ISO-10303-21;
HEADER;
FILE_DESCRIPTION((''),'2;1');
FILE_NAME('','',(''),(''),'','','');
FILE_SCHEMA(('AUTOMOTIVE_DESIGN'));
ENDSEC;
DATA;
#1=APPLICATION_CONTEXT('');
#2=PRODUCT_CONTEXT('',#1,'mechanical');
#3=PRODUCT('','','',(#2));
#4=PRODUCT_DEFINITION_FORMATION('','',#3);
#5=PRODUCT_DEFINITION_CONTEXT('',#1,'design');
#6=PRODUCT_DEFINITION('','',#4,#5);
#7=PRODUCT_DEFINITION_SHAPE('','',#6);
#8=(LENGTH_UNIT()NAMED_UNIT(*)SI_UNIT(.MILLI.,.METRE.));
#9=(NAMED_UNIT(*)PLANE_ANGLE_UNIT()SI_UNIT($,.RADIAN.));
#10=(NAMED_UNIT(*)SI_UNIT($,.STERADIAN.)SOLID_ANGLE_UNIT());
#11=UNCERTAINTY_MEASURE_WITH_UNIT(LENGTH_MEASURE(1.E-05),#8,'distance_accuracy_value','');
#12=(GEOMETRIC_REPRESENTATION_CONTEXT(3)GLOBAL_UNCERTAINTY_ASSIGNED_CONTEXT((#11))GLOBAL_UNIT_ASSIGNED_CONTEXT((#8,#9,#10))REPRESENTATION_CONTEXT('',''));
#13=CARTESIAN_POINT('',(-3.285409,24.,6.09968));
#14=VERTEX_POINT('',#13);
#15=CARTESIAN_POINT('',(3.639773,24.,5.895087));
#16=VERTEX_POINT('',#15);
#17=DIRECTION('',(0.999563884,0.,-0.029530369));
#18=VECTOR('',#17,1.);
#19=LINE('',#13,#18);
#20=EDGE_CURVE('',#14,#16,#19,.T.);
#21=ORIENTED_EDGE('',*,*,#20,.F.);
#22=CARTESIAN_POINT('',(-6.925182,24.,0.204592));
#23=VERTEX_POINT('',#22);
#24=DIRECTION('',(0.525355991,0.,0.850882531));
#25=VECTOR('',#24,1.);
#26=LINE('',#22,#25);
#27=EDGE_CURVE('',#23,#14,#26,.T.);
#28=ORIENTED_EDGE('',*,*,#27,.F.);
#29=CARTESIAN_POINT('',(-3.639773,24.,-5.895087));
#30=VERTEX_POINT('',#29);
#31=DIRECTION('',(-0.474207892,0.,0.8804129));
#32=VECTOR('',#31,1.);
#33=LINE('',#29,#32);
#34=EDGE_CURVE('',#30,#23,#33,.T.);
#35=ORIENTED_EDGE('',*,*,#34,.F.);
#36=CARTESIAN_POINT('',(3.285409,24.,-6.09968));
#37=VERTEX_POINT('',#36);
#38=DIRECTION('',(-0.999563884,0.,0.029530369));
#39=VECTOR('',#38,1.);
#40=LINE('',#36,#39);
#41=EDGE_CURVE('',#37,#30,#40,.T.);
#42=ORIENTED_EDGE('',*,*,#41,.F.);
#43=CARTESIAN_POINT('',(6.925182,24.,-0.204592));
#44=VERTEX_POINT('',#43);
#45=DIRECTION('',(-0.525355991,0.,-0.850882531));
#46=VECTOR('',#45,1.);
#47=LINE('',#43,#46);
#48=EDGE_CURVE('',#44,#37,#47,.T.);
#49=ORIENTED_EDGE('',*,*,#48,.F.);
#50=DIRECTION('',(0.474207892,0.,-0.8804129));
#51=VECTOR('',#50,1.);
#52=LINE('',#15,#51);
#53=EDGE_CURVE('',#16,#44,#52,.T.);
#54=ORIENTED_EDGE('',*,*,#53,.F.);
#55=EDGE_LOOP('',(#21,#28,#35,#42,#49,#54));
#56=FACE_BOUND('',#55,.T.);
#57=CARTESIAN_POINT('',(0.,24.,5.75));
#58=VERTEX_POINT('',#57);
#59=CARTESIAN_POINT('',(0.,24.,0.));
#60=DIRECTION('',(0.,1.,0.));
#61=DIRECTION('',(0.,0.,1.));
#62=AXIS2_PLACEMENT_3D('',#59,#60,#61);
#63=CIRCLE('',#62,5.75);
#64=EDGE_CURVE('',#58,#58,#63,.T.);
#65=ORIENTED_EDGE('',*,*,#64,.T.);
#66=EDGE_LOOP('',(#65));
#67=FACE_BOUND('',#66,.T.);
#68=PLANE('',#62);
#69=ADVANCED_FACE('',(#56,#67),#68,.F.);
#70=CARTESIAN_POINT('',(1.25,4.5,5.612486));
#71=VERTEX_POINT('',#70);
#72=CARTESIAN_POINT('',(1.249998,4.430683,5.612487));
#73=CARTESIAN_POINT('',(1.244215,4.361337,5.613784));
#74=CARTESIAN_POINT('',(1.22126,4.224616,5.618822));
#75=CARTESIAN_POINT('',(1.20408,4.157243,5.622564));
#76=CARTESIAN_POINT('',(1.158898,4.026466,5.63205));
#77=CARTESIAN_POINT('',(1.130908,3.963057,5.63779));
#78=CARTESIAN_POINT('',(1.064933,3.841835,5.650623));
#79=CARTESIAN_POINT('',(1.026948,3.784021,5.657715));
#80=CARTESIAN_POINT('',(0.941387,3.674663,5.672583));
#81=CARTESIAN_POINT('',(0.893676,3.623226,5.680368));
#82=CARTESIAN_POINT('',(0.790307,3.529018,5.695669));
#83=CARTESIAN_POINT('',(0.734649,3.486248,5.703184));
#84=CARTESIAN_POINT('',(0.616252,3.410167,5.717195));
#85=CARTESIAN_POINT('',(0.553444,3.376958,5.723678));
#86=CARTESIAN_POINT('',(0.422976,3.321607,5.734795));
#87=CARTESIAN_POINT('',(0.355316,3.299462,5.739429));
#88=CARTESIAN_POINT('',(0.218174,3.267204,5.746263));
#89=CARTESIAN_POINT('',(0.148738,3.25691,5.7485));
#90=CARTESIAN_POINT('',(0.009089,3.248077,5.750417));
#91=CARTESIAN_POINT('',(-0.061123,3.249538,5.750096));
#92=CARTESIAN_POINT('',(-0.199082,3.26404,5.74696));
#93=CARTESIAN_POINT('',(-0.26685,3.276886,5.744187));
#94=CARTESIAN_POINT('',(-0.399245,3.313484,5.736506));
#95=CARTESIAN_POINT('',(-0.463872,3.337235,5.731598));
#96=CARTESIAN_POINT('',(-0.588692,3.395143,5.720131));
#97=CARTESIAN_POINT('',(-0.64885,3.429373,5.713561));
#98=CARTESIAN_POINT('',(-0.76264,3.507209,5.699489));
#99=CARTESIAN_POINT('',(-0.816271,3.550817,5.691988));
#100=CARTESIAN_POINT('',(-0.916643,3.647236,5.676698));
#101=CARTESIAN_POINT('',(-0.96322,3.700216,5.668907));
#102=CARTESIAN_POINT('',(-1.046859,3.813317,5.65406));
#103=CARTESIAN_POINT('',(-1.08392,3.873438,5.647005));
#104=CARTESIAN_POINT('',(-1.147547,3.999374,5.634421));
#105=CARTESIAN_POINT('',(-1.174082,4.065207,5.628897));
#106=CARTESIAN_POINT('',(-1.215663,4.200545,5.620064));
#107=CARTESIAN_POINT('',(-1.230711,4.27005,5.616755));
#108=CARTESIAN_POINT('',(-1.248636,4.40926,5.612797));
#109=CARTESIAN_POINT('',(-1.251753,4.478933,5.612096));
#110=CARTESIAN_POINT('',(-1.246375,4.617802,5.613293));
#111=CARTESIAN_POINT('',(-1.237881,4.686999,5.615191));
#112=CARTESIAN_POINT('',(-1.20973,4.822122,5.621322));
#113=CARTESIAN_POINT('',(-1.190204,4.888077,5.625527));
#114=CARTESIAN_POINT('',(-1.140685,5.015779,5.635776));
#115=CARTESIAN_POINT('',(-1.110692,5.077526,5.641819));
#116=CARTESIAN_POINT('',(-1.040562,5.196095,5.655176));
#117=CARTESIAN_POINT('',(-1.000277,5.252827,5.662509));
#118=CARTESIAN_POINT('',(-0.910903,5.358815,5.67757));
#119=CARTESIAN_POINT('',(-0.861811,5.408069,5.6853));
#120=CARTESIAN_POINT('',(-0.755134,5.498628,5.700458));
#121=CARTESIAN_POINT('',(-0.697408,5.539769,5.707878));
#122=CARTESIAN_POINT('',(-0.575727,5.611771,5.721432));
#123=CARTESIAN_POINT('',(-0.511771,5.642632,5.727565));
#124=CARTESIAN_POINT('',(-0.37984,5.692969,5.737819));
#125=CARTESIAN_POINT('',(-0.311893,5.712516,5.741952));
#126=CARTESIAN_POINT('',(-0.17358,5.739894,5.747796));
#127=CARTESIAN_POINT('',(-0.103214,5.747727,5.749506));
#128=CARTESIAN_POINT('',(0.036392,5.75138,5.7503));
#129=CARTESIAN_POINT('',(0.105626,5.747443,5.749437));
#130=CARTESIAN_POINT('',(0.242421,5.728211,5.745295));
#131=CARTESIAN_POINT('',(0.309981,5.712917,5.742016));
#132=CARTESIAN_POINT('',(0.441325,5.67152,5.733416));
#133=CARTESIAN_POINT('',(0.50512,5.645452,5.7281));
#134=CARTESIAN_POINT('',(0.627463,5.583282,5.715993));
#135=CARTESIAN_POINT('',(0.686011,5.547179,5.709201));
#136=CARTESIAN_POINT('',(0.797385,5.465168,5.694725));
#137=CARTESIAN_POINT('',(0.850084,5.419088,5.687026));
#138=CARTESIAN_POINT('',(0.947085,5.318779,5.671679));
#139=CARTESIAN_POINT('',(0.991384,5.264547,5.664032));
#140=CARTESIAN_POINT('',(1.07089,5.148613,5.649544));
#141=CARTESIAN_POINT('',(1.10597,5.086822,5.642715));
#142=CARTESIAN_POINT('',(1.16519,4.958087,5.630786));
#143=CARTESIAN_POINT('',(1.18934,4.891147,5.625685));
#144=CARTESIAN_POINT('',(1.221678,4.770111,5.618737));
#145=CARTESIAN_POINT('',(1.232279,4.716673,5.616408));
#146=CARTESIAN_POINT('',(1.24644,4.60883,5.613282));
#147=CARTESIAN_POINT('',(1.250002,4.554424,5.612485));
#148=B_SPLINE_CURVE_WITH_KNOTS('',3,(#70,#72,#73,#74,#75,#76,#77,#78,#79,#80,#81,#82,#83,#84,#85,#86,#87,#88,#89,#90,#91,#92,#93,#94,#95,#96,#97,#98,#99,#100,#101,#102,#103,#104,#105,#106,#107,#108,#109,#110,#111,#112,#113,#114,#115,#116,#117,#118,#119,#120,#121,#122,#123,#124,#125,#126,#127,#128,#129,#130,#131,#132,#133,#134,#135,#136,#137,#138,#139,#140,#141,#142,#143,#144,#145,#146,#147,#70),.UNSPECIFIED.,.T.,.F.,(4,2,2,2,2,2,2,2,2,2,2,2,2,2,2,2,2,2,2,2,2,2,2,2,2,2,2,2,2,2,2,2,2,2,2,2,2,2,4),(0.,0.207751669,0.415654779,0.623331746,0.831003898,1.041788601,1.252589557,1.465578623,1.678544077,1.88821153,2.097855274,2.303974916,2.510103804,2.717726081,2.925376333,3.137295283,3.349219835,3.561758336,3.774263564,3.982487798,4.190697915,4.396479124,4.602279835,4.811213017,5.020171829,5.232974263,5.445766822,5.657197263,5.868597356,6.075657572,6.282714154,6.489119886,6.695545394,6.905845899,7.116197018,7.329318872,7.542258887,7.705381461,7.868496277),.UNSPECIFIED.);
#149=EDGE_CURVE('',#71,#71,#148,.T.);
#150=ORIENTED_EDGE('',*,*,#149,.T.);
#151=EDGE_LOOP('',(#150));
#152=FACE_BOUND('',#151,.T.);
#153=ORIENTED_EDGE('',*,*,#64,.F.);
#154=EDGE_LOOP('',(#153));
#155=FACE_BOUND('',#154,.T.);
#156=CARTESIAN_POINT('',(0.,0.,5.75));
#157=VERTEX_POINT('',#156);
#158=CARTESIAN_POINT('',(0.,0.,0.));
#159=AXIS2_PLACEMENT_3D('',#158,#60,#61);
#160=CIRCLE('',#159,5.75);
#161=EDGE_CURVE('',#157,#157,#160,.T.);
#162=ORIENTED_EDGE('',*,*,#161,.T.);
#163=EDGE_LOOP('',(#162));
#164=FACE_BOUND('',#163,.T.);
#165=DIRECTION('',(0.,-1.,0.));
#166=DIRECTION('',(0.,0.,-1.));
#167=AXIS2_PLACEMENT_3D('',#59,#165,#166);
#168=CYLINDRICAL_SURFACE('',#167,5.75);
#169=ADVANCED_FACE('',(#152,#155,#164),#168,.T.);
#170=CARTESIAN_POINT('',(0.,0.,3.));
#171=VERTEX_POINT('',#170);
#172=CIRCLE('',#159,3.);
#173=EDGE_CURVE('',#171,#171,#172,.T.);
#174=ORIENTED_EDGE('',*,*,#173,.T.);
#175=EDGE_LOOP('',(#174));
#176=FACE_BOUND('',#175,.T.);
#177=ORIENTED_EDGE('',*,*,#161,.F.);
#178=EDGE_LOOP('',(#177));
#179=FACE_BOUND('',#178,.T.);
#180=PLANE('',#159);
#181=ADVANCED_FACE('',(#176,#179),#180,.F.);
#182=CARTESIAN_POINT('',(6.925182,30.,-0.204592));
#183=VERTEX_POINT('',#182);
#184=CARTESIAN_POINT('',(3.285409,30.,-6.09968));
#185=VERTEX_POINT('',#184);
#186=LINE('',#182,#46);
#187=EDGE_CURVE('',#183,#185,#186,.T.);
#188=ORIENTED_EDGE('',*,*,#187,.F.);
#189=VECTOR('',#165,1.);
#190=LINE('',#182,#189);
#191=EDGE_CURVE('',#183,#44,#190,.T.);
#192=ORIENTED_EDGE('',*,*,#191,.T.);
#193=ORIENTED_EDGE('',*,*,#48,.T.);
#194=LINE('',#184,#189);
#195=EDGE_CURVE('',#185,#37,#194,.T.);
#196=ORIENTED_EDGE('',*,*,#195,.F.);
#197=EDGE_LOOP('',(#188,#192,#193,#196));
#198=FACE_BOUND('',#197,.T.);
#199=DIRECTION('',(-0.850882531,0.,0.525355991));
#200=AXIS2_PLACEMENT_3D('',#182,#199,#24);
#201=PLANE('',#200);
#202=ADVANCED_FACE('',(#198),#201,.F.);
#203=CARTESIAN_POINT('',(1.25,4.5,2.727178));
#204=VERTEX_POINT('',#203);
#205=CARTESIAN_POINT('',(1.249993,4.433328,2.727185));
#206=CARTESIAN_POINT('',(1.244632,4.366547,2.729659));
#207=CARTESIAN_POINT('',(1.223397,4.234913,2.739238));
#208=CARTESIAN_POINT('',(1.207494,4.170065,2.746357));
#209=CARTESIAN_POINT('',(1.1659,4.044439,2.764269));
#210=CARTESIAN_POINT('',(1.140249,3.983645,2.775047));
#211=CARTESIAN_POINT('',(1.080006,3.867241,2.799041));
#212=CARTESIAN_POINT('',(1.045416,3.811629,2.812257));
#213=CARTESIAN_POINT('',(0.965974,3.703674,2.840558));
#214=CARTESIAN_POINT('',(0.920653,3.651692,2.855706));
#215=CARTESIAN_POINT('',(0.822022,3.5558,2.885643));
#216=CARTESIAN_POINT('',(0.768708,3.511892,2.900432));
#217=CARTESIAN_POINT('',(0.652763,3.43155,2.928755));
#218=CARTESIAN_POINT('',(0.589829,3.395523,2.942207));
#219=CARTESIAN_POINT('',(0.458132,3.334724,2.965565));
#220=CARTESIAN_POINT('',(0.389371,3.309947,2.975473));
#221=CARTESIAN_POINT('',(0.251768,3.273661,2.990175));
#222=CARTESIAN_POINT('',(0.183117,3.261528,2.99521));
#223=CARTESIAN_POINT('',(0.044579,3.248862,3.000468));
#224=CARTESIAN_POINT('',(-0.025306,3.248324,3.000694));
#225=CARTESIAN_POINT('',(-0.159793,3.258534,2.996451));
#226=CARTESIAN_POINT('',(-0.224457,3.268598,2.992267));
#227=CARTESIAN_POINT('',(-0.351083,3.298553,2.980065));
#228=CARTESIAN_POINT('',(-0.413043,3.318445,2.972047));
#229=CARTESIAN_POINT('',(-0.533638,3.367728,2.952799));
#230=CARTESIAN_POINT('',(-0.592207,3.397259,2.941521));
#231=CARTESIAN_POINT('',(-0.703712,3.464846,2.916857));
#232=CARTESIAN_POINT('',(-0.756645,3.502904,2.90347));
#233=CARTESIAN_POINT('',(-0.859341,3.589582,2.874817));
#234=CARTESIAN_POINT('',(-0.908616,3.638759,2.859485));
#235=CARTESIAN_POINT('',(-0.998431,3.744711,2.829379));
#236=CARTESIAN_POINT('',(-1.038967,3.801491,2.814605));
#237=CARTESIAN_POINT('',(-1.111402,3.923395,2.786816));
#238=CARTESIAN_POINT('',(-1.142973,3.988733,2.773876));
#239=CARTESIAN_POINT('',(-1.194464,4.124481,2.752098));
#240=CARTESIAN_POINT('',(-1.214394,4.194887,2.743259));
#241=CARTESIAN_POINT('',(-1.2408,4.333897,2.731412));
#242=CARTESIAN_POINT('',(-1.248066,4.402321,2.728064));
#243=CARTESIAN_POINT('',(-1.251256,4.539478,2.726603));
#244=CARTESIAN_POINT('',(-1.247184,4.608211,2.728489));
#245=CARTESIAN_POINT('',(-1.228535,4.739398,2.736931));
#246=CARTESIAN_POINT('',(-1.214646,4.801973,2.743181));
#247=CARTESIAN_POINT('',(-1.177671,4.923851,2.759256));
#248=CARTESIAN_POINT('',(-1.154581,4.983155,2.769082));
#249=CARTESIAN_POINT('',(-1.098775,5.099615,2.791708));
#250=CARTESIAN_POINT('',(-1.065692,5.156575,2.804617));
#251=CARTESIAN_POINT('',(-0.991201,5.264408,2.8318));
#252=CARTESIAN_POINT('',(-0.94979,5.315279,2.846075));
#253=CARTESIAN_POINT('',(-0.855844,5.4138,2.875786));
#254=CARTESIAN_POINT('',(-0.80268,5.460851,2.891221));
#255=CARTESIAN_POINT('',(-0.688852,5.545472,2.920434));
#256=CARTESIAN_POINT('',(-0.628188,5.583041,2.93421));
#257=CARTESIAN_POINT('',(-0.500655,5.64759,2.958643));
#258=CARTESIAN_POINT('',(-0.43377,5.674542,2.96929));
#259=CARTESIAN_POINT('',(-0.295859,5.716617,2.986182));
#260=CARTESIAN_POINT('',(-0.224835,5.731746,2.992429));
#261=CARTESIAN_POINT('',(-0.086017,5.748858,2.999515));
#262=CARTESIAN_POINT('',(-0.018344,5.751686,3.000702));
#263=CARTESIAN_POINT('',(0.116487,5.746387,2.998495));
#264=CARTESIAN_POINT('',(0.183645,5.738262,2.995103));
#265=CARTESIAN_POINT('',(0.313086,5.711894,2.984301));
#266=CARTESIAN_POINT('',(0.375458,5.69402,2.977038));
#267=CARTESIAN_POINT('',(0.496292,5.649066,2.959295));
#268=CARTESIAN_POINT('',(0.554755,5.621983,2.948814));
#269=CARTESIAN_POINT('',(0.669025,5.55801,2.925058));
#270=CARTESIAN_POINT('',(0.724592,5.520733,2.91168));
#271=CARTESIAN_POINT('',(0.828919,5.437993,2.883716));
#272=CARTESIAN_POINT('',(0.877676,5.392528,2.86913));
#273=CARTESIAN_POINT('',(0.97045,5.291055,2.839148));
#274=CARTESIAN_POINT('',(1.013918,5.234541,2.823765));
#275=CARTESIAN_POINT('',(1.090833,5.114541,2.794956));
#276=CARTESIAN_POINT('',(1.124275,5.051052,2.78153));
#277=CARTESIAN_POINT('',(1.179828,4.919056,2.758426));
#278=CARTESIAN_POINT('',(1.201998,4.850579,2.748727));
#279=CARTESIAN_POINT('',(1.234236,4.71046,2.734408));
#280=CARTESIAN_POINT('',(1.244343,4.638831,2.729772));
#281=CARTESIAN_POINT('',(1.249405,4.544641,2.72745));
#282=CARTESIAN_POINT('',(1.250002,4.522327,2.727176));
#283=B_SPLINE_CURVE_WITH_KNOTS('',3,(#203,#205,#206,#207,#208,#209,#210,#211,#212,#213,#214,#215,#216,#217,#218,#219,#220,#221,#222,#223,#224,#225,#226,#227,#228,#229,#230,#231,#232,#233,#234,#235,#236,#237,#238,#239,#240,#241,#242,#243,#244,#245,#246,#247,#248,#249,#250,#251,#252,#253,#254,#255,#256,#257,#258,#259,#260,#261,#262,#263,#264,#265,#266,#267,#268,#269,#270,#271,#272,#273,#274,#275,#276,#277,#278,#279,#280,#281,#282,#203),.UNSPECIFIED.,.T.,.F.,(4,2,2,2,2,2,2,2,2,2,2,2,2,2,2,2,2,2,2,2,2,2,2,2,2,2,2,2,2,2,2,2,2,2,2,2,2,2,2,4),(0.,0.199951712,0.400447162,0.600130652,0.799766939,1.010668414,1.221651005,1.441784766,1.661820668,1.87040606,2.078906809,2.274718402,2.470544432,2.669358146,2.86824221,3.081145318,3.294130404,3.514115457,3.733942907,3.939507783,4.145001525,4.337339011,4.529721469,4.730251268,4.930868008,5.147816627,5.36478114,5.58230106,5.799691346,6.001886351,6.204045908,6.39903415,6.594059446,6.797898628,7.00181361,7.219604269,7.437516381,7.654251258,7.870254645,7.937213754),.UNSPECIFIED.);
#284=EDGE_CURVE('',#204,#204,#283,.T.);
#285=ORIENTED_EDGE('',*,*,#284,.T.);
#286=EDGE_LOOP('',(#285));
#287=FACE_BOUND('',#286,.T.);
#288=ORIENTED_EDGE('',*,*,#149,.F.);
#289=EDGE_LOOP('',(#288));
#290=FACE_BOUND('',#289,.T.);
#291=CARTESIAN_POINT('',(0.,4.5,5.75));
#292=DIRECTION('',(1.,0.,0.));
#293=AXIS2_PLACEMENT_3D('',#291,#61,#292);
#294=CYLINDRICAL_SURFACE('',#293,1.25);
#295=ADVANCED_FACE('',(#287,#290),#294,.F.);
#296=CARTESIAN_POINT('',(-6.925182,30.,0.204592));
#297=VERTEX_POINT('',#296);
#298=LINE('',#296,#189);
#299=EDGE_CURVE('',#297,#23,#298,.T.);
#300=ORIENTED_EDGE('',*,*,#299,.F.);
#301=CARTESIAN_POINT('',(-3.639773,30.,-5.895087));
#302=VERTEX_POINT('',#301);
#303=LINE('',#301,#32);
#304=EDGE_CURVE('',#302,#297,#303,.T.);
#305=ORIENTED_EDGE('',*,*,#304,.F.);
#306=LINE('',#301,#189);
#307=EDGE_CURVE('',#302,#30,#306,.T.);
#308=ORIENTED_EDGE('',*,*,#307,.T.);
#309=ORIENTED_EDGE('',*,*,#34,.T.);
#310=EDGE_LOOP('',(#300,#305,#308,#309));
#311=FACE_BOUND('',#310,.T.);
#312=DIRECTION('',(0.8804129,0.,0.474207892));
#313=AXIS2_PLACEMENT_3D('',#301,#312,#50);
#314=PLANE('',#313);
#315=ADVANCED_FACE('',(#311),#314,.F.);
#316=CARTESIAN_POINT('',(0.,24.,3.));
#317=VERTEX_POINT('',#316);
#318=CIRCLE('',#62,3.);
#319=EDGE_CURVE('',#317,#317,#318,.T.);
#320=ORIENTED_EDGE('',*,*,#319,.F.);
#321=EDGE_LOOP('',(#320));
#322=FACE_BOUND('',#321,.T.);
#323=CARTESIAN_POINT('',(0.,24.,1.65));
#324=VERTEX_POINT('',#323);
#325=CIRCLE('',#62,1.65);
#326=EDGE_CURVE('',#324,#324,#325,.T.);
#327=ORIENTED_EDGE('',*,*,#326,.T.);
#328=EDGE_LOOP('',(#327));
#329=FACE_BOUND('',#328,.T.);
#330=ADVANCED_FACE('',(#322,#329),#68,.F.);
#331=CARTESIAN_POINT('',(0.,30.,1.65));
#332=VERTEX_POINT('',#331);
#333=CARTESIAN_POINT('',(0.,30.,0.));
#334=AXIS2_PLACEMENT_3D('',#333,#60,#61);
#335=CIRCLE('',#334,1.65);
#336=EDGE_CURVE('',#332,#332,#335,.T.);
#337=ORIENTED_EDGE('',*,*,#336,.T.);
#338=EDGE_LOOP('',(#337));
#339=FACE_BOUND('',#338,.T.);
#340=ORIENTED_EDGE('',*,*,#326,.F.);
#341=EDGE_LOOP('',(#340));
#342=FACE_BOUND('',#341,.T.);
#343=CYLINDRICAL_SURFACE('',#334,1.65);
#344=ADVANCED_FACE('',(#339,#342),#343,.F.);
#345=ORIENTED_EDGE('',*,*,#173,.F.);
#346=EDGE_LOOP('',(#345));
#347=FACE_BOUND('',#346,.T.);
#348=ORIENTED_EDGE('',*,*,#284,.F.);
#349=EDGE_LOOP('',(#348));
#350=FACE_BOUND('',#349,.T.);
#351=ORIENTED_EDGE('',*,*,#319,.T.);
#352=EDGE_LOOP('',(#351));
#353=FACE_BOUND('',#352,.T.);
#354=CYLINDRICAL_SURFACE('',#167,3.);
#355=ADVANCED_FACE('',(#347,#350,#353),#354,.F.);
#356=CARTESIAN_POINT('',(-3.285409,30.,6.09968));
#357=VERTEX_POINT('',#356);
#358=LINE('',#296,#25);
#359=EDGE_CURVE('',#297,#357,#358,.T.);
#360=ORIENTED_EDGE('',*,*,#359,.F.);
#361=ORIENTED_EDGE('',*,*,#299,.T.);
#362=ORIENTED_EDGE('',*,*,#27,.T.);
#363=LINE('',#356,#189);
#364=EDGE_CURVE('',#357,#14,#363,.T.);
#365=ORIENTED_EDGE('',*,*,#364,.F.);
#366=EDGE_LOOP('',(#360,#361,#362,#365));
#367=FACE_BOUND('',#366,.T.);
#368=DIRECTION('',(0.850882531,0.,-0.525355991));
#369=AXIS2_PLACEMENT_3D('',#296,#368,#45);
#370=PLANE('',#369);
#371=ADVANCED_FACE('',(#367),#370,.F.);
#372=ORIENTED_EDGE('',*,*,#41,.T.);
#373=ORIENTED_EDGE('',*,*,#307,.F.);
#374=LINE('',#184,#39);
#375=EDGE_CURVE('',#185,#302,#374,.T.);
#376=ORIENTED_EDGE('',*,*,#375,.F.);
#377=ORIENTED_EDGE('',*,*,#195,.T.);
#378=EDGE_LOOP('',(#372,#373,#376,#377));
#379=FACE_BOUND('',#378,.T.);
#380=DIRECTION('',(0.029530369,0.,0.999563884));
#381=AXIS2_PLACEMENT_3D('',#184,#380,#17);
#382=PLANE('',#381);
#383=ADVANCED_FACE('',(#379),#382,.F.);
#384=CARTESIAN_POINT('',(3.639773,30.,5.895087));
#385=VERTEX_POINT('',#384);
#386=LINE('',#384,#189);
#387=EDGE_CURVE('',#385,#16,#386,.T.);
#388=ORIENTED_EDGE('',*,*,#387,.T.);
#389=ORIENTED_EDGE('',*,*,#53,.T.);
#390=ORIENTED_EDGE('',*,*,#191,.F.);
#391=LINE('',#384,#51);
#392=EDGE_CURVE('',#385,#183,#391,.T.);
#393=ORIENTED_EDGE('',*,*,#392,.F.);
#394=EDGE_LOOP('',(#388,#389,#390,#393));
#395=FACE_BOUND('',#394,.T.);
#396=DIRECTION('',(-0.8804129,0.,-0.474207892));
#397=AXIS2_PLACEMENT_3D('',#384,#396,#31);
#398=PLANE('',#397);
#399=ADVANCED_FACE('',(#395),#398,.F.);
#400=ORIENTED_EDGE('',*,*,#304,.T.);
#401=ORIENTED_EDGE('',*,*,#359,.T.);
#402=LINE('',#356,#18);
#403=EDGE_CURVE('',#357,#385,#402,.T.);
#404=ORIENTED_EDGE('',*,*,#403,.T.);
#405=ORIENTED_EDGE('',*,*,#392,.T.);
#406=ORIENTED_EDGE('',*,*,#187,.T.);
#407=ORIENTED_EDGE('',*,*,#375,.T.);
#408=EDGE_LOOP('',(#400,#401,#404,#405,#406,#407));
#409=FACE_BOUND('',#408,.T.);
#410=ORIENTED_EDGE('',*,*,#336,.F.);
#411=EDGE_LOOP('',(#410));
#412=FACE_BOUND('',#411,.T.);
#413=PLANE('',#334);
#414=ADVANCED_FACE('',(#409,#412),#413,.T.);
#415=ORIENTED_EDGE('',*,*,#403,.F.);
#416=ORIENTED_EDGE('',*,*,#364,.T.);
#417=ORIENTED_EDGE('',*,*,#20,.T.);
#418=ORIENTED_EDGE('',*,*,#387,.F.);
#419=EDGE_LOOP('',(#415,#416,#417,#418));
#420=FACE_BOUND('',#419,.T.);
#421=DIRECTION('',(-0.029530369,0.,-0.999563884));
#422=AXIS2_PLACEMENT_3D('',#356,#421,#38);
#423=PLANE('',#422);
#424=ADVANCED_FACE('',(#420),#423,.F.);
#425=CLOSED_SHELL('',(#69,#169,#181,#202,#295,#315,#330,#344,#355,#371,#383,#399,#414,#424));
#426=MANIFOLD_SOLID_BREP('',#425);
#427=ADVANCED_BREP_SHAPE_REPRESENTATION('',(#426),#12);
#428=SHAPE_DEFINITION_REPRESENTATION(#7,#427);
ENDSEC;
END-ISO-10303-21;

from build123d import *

# Parameters (mm, degrees)
SKETCH_1_R             = 5.75
SKETCH_1_R_2           = 3
EXTRUDE_1_DEPTH        = 24
HOLE_WIZARD_M3_1_D     = 2.5
HOLE_WIZARD_M3_1_DEPTH = 7.748924226
HOLE_WIZARD_M3_1_TIP   = 0.751075774
EXTRUDE_2_DEPTH        = 6
HOLE_WIZARD_M4_1_D     = 3.3


with BuildPart() as part:
    # 草图1 → 凸台-拉伸1 (new body)
    with BuildSketch(Plane(origin=(0, 0, 0), x_dir=(1, 0, 0), z_dir=(0, 1, 0))):
        with Locations(Location((0, 0, 0), (0, 0, 270))):
            Circle(SKETCH_1_R)
        with Locations(Location((0, 0, 0), (0, 0, 270))):
            Circle(SKETCH_1_R_2, mode=Mode.SUBTRACT)
    extrude(amount=EXTRUDE_1_DEPTH)

    # M3 螺纹孔1
    with Locations(Plane.XY.offset(5.75)):
        with Locations((0, 4.5)):
            Hole(HOLE_WIZARD_M3_1_D / 2, depth=HOLE_WIZARD_M3_1_DEPTH)
            with Locations((0, 0, -(HOLE_WIZARD_M3_1_DEPTH + HOLE_WIZARD_M3_1_TIP / 2))):  # 118° drill point
                Cone(0, HOLE_WIZARD_M3_1_D / 2, HOLE_WIZARD_M3_1_TIP, mode=Mode.SUBTRACT)

    # 草图11 → 凸台-拉伸2 (add)
    with BuildSketch(Plane(origin=(0, 24, 0), x_dir=(1, 0, 0), z_dir=(0, 1, 0))):
        Polygon((6.925181727, 0.204592398), (3.28540865, 6.0996795), (-3.639773077, 5.895087103), (-6.925181727, -0.204592398), (-3.28540865, -6.0996795), (3.639773077, -5.895087103), align=None)
    extrude(amount=EXTRUDE_2_DEPTH)

    # M4 螺纹孔的螺纹孔钻头1 (through all)
    with Locations(Plane(origin=(0, 30, 0), x_dir=(1, 0, 0), z_dir=(0, 1, 0))):
        with Locations((0, 0)):
            Hole(HOLE_WIZARD_M4_1_D / 2)


solid = part.part
